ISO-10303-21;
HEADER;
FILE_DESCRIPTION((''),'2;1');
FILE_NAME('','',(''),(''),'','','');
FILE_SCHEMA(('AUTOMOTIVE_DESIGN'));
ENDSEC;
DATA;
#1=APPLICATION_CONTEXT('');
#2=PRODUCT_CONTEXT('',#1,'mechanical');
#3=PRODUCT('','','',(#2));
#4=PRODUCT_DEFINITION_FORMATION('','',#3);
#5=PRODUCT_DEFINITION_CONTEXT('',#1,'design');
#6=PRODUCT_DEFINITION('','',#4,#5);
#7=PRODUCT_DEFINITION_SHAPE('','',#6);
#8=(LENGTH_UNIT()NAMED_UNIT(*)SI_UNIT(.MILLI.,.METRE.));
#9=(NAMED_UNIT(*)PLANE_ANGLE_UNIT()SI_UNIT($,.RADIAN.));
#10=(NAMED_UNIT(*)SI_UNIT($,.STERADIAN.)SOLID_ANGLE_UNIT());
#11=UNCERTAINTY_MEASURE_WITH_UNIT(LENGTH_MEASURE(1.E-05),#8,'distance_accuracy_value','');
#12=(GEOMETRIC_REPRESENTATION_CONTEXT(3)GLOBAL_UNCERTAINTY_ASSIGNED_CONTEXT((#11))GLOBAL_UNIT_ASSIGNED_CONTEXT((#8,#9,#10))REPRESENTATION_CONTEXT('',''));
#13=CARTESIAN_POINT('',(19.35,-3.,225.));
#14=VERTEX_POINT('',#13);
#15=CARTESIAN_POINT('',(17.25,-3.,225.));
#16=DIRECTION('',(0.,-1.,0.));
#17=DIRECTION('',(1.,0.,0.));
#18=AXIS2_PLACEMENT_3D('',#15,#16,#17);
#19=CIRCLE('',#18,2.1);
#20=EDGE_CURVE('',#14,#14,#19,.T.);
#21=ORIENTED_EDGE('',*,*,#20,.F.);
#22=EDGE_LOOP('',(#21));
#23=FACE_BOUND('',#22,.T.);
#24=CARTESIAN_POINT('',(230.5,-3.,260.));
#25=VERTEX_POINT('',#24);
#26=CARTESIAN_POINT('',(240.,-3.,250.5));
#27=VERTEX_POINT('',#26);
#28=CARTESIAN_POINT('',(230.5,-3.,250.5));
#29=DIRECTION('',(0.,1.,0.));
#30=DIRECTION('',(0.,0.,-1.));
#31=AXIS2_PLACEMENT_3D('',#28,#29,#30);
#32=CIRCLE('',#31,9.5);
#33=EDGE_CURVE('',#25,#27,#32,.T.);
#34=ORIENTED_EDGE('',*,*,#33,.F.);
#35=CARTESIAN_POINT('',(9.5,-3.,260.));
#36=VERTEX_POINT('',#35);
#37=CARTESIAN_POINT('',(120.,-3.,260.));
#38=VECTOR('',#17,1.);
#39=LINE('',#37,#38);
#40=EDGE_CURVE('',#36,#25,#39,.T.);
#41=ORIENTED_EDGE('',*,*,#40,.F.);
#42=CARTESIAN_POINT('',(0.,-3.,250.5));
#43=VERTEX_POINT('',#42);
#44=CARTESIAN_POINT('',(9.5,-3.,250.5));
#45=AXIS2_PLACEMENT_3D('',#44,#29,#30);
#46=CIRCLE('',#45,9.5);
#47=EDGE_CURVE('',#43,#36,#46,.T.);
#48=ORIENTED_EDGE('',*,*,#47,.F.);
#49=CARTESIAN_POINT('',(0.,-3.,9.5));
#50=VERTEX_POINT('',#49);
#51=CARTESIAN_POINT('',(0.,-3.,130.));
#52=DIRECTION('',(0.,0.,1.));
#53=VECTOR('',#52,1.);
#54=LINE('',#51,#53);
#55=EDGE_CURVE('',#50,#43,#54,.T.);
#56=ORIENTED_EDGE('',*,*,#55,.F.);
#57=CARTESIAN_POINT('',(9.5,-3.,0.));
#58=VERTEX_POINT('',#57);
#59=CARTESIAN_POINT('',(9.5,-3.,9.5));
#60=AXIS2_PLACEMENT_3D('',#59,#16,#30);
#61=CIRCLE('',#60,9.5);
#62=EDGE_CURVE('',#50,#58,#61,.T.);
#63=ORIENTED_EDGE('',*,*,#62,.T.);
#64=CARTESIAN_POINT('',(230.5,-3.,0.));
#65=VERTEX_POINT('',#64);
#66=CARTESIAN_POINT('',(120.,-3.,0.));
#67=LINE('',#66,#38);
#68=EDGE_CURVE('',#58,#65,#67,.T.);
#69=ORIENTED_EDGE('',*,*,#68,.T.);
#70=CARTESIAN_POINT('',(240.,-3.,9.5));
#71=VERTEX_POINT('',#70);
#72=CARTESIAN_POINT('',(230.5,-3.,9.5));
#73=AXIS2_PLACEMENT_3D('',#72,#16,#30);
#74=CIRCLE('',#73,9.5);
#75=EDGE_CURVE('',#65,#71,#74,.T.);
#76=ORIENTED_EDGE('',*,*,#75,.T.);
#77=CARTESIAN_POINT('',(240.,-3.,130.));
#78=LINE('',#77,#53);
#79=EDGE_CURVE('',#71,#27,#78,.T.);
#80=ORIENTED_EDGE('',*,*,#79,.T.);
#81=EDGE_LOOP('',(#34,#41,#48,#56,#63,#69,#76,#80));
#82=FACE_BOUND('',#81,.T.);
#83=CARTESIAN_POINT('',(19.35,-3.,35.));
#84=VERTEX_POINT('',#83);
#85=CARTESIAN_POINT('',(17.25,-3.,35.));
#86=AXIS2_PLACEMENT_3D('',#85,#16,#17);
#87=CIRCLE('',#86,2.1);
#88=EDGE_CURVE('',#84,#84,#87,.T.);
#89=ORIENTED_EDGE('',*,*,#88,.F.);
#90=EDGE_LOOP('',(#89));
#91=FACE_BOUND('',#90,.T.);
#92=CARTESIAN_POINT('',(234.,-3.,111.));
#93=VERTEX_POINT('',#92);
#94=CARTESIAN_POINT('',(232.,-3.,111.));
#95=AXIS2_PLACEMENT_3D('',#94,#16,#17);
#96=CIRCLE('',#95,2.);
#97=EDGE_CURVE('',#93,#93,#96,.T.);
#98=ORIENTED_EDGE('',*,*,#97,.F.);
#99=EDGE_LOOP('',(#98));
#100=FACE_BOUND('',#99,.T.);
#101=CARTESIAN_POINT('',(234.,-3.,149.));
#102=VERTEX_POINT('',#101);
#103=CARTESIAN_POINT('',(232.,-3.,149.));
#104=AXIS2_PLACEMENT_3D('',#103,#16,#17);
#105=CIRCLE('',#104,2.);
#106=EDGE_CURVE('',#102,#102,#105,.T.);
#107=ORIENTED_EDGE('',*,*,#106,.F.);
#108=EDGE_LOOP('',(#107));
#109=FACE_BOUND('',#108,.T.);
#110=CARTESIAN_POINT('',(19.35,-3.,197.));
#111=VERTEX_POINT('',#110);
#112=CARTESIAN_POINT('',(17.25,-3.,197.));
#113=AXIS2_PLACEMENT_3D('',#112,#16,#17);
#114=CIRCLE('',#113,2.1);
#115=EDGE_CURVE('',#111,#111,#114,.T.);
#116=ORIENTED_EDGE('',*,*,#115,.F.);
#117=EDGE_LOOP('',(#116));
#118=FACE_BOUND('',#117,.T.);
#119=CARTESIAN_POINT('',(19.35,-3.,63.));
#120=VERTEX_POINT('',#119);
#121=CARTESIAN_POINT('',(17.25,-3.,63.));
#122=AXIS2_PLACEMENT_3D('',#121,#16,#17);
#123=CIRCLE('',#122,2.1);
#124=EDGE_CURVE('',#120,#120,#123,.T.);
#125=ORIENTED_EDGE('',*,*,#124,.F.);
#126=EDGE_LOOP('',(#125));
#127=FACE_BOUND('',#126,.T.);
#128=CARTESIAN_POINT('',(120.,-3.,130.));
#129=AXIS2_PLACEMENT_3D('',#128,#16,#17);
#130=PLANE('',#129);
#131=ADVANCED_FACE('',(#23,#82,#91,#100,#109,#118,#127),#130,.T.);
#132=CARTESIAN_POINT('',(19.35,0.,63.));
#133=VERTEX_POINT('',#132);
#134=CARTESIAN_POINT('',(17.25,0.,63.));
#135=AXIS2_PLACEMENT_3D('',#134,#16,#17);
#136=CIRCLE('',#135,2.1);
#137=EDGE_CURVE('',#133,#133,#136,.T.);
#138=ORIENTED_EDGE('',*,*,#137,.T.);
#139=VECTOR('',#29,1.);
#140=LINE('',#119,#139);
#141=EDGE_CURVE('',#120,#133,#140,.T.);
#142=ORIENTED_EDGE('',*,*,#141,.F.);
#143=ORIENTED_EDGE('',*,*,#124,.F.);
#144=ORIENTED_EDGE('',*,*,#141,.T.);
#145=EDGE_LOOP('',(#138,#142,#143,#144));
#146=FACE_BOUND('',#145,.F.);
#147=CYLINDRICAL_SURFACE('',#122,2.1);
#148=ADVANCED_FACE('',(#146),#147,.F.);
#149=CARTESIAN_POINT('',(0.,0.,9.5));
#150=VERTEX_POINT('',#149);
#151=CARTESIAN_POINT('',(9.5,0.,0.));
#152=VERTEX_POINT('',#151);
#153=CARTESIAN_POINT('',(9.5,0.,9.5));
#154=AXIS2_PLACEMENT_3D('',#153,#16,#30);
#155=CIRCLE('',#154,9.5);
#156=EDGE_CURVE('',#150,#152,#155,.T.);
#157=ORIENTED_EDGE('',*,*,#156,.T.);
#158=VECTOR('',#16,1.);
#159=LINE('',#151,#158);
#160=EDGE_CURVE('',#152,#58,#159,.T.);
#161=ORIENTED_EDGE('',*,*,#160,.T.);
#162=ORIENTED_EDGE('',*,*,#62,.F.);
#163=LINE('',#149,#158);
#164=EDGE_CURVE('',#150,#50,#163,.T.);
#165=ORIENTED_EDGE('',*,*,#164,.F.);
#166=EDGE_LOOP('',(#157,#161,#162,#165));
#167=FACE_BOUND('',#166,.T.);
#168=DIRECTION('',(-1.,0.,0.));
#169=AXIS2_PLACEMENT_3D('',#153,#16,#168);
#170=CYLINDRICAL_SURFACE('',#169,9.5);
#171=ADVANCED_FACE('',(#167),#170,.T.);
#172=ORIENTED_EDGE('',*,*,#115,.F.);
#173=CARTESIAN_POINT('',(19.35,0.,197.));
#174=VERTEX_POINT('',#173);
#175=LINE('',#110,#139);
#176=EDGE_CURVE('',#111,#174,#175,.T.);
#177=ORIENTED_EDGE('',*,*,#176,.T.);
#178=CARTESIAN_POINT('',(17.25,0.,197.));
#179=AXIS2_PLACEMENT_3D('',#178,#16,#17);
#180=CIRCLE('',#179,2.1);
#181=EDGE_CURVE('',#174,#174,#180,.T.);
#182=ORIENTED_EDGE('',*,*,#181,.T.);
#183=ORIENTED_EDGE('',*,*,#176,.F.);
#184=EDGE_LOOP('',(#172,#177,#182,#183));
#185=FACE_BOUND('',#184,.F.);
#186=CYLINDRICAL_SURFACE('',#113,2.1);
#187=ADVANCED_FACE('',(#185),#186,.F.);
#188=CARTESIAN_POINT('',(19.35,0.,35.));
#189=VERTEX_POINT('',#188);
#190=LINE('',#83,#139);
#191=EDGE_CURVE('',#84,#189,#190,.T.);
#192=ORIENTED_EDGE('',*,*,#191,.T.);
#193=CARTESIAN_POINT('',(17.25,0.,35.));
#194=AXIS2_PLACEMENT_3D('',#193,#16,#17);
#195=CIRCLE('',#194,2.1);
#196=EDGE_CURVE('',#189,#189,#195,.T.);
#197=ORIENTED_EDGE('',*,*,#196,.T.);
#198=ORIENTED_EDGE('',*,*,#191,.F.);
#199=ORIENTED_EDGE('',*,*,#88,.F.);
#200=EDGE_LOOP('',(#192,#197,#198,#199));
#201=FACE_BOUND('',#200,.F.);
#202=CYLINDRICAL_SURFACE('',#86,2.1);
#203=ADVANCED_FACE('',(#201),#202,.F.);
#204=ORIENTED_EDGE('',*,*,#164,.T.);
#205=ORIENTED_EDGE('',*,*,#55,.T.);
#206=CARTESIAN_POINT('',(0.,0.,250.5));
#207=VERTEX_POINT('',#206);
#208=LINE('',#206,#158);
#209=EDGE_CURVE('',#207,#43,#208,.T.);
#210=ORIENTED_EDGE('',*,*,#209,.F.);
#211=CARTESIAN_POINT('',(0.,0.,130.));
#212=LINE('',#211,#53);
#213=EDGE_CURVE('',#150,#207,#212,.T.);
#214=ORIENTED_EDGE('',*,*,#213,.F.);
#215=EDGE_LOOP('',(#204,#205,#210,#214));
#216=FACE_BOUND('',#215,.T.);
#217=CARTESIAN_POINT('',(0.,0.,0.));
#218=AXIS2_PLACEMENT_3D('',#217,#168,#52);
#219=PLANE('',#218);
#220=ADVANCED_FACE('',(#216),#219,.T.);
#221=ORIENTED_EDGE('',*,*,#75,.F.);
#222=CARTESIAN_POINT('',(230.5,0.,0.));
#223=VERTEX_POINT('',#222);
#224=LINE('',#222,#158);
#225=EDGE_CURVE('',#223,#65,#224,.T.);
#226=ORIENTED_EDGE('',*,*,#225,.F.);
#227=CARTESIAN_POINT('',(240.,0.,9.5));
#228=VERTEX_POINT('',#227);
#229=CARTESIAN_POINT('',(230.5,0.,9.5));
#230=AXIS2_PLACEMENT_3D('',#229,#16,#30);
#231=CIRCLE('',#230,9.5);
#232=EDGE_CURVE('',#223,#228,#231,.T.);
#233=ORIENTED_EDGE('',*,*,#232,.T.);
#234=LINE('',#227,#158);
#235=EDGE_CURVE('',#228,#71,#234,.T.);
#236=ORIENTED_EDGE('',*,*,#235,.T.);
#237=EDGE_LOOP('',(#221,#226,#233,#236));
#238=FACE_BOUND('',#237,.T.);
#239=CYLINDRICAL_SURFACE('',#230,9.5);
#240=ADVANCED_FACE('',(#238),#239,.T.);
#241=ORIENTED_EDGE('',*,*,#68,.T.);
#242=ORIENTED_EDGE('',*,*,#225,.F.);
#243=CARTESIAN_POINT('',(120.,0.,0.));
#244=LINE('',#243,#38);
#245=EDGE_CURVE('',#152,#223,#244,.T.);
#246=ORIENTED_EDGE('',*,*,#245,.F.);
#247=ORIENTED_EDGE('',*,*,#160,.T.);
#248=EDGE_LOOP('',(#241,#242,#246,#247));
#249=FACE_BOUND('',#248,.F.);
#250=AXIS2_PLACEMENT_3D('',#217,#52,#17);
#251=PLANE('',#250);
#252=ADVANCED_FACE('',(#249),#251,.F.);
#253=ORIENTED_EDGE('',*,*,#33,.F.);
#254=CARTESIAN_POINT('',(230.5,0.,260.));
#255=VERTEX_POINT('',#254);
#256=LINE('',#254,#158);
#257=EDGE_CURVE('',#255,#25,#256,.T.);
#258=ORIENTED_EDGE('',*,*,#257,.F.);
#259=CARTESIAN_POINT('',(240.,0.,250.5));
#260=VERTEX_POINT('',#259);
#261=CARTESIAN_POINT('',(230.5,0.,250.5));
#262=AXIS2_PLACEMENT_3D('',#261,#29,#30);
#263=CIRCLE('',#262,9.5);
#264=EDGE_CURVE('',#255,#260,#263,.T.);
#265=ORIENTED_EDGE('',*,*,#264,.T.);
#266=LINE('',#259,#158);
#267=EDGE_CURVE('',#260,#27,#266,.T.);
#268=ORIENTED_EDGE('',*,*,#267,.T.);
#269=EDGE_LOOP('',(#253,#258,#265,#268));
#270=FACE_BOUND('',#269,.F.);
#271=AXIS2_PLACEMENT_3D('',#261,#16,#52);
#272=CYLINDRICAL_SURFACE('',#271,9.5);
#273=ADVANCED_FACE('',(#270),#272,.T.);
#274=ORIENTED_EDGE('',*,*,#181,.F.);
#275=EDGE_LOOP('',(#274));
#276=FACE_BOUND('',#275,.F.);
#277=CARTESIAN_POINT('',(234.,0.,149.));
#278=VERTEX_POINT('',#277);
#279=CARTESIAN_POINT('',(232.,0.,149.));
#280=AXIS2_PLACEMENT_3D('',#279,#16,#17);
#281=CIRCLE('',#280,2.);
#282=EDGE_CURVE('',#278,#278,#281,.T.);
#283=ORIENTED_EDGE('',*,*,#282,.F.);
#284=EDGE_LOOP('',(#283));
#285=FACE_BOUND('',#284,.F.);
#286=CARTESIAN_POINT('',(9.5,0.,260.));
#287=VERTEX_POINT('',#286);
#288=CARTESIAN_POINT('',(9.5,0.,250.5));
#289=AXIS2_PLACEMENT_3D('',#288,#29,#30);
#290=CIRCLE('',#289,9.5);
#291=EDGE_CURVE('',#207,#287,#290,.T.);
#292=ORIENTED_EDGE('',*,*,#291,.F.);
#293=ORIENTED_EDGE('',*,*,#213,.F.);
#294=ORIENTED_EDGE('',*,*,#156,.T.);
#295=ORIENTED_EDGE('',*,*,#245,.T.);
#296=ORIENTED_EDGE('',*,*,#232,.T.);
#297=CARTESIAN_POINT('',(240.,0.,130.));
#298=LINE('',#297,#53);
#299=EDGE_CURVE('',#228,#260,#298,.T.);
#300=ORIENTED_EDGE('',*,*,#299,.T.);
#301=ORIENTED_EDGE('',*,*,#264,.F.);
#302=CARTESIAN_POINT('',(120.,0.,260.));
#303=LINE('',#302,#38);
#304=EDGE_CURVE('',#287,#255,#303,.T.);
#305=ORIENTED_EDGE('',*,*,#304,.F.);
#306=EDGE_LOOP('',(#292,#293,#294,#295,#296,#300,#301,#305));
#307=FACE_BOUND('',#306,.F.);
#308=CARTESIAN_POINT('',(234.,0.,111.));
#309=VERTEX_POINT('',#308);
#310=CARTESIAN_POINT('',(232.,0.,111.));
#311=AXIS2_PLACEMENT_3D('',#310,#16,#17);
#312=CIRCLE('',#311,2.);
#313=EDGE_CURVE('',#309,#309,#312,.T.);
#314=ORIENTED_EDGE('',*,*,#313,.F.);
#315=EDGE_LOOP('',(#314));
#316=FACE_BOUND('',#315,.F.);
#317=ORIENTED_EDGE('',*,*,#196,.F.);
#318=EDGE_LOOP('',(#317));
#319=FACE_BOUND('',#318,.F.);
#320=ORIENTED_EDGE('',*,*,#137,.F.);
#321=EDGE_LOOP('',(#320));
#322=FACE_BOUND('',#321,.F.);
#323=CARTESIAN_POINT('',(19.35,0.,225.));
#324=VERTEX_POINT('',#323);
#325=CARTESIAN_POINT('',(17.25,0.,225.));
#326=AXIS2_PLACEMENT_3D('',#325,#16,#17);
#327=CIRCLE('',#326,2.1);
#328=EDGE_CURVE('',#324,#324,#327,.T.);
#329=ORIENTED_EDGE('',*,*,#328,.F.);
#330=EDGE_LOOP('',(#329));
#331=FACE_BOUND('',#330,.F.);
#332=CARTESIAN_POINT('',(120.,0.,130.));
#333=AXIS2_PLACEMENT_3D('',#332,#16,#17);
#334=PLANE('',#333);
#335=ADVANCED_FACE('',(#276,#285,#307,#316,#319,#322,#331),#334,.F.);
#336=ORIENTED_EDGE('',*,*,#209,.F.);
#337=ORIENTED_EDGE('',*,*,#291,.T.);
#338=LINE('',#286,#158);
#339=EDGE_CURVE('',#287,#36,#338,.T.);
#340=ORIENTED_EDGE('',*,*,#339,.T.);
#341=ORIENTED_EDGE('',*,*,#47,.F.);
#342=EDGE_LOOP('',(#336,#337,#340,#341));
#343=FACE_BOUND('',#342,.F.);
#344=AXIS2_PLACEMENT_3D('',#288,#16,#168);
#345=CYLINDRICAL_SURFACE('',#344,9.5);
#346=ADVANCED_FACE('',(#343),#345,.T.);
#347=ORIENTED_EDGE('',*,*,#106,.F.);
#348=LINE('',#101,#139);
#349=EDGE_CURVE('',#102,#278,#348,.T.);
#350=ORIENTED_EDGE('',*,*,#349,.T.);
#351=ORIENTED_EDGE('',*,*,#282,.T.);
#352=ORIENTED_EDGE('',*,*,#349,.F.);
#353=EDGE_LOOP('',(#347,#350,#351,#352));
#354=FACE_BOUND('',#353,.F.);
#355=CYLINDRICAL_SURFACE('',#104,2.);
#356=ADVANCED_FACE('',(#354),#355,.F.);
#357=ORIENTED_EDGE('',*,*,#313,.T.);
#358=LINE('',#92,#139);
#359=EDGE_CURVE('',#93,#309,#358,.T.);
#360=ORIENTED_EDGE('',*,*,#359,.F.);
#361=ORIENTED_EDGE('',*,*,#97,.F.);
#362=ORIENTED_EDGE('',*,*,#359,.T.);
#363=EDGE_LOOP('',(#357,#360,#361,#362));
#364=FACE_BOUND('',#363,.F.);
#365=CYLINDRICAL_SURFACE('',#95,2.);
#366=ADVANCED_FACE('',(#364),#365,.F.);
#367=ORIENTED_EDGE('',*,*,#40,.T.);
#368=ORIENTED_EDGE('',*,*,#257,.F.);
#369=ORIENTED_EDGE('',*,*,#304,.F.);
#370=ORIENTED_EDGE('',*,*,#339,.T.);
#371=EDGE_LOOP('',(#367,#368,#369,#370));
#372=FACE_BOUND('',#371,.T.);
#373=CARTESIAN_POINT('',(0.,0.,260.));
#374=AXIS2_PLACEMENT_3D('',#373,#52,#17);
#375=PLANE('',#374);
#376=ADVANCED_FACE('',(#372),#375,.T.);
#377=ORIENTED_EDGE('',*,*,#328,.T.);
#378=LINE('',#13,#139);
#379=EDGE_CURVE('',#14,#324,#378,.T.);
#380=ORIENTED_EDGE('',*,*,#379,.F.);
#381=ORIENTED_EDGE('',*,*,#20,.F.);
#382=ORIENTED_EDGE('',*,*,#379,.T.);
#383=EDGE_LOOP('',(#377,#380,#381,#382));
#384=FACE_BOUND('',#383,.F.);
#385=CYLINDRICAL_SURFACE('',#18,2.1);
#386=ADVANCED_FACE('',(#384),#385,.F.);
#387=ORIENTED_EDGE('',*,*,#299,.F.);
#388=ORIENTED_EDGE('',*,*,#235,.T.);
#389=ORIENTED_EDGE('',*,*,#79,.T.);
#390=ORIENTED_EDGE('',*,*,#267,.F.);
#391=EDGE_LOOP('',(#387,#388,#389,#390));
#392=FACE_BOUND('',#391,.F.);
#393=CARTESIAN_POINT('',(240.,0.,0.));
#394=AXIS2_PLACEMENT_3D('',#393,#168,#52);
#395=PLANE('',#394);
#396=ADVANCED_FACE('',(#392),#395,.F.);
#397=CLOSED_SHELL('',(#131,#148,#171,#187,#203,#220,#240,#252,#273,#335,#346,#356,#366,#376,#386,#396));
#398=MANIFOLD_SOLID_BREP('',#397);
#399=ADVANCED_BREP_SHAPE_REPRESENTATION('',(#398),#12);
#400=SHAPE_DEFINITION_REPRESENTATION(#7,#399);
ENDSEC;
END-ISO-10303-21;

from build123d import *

# Parameters (mm, degrees)
SKETCH_W        = 240
SKETCH_H        = 260
PAD_DEPTH       = 3
SKETCH001_R     = 2.1
POCKET_DEPTH    = 5
FILLET_R        = 9.5
SKETCH002_R     = 2
POCKET001_DEPTH = 3.001


with BuildPart() as part:
    # Sketch → Pad (new body)
    with BuildSketch(Plane.XZ):
        with Locations((120, 130)):
            Rectangle(SKETCH_W, SKETCH_H)
    extrude(amount=PAD_DEPTH)

    # Sketch001 (on Face6 of Pad) → Pocket (cut)
    with BuildSketch(Plane.XZ.offset(3)):
        with Locations((17.25, 225)):
            Circle(SKETCH001_R)
        with Locations((17.25, 197)):
            Circle(SKETCH001_R)
        with Locations((17.25, 63)):
            Circle(SKETCH001_R)
        with Locations((17.25, 35)):
            Circle(SKETCH001_R)
    extrude(amount=-POCKET_DEPTH, mode=Mode.SUBTRACT)

    # Fillet
    fillet_edges = [part.edges().sort_by_distance(p)[0] for p in [
        (0, -1.5, 260),
        (240, -1.5, 260),
        (240, -1.5, 0),
        (0, -1.5, 0),
    ]]
    fillet(fillet_edges, radius=FILLET_R)

    # Sketch002 (on Face5 of Fillet) → Pocket001 (cut, through all)
    with BuildSketch(Plane.XZ.offset(3)):
        with Locations((232, 149)):
            Circle(SKETCH002_R)
        with Locations((232, 111)):
            Circle(SKETCH002_R)
    extrude(amount=-POCKET001_DEPTH, mode=Mode.SUBTRACT)


solid = part.part
